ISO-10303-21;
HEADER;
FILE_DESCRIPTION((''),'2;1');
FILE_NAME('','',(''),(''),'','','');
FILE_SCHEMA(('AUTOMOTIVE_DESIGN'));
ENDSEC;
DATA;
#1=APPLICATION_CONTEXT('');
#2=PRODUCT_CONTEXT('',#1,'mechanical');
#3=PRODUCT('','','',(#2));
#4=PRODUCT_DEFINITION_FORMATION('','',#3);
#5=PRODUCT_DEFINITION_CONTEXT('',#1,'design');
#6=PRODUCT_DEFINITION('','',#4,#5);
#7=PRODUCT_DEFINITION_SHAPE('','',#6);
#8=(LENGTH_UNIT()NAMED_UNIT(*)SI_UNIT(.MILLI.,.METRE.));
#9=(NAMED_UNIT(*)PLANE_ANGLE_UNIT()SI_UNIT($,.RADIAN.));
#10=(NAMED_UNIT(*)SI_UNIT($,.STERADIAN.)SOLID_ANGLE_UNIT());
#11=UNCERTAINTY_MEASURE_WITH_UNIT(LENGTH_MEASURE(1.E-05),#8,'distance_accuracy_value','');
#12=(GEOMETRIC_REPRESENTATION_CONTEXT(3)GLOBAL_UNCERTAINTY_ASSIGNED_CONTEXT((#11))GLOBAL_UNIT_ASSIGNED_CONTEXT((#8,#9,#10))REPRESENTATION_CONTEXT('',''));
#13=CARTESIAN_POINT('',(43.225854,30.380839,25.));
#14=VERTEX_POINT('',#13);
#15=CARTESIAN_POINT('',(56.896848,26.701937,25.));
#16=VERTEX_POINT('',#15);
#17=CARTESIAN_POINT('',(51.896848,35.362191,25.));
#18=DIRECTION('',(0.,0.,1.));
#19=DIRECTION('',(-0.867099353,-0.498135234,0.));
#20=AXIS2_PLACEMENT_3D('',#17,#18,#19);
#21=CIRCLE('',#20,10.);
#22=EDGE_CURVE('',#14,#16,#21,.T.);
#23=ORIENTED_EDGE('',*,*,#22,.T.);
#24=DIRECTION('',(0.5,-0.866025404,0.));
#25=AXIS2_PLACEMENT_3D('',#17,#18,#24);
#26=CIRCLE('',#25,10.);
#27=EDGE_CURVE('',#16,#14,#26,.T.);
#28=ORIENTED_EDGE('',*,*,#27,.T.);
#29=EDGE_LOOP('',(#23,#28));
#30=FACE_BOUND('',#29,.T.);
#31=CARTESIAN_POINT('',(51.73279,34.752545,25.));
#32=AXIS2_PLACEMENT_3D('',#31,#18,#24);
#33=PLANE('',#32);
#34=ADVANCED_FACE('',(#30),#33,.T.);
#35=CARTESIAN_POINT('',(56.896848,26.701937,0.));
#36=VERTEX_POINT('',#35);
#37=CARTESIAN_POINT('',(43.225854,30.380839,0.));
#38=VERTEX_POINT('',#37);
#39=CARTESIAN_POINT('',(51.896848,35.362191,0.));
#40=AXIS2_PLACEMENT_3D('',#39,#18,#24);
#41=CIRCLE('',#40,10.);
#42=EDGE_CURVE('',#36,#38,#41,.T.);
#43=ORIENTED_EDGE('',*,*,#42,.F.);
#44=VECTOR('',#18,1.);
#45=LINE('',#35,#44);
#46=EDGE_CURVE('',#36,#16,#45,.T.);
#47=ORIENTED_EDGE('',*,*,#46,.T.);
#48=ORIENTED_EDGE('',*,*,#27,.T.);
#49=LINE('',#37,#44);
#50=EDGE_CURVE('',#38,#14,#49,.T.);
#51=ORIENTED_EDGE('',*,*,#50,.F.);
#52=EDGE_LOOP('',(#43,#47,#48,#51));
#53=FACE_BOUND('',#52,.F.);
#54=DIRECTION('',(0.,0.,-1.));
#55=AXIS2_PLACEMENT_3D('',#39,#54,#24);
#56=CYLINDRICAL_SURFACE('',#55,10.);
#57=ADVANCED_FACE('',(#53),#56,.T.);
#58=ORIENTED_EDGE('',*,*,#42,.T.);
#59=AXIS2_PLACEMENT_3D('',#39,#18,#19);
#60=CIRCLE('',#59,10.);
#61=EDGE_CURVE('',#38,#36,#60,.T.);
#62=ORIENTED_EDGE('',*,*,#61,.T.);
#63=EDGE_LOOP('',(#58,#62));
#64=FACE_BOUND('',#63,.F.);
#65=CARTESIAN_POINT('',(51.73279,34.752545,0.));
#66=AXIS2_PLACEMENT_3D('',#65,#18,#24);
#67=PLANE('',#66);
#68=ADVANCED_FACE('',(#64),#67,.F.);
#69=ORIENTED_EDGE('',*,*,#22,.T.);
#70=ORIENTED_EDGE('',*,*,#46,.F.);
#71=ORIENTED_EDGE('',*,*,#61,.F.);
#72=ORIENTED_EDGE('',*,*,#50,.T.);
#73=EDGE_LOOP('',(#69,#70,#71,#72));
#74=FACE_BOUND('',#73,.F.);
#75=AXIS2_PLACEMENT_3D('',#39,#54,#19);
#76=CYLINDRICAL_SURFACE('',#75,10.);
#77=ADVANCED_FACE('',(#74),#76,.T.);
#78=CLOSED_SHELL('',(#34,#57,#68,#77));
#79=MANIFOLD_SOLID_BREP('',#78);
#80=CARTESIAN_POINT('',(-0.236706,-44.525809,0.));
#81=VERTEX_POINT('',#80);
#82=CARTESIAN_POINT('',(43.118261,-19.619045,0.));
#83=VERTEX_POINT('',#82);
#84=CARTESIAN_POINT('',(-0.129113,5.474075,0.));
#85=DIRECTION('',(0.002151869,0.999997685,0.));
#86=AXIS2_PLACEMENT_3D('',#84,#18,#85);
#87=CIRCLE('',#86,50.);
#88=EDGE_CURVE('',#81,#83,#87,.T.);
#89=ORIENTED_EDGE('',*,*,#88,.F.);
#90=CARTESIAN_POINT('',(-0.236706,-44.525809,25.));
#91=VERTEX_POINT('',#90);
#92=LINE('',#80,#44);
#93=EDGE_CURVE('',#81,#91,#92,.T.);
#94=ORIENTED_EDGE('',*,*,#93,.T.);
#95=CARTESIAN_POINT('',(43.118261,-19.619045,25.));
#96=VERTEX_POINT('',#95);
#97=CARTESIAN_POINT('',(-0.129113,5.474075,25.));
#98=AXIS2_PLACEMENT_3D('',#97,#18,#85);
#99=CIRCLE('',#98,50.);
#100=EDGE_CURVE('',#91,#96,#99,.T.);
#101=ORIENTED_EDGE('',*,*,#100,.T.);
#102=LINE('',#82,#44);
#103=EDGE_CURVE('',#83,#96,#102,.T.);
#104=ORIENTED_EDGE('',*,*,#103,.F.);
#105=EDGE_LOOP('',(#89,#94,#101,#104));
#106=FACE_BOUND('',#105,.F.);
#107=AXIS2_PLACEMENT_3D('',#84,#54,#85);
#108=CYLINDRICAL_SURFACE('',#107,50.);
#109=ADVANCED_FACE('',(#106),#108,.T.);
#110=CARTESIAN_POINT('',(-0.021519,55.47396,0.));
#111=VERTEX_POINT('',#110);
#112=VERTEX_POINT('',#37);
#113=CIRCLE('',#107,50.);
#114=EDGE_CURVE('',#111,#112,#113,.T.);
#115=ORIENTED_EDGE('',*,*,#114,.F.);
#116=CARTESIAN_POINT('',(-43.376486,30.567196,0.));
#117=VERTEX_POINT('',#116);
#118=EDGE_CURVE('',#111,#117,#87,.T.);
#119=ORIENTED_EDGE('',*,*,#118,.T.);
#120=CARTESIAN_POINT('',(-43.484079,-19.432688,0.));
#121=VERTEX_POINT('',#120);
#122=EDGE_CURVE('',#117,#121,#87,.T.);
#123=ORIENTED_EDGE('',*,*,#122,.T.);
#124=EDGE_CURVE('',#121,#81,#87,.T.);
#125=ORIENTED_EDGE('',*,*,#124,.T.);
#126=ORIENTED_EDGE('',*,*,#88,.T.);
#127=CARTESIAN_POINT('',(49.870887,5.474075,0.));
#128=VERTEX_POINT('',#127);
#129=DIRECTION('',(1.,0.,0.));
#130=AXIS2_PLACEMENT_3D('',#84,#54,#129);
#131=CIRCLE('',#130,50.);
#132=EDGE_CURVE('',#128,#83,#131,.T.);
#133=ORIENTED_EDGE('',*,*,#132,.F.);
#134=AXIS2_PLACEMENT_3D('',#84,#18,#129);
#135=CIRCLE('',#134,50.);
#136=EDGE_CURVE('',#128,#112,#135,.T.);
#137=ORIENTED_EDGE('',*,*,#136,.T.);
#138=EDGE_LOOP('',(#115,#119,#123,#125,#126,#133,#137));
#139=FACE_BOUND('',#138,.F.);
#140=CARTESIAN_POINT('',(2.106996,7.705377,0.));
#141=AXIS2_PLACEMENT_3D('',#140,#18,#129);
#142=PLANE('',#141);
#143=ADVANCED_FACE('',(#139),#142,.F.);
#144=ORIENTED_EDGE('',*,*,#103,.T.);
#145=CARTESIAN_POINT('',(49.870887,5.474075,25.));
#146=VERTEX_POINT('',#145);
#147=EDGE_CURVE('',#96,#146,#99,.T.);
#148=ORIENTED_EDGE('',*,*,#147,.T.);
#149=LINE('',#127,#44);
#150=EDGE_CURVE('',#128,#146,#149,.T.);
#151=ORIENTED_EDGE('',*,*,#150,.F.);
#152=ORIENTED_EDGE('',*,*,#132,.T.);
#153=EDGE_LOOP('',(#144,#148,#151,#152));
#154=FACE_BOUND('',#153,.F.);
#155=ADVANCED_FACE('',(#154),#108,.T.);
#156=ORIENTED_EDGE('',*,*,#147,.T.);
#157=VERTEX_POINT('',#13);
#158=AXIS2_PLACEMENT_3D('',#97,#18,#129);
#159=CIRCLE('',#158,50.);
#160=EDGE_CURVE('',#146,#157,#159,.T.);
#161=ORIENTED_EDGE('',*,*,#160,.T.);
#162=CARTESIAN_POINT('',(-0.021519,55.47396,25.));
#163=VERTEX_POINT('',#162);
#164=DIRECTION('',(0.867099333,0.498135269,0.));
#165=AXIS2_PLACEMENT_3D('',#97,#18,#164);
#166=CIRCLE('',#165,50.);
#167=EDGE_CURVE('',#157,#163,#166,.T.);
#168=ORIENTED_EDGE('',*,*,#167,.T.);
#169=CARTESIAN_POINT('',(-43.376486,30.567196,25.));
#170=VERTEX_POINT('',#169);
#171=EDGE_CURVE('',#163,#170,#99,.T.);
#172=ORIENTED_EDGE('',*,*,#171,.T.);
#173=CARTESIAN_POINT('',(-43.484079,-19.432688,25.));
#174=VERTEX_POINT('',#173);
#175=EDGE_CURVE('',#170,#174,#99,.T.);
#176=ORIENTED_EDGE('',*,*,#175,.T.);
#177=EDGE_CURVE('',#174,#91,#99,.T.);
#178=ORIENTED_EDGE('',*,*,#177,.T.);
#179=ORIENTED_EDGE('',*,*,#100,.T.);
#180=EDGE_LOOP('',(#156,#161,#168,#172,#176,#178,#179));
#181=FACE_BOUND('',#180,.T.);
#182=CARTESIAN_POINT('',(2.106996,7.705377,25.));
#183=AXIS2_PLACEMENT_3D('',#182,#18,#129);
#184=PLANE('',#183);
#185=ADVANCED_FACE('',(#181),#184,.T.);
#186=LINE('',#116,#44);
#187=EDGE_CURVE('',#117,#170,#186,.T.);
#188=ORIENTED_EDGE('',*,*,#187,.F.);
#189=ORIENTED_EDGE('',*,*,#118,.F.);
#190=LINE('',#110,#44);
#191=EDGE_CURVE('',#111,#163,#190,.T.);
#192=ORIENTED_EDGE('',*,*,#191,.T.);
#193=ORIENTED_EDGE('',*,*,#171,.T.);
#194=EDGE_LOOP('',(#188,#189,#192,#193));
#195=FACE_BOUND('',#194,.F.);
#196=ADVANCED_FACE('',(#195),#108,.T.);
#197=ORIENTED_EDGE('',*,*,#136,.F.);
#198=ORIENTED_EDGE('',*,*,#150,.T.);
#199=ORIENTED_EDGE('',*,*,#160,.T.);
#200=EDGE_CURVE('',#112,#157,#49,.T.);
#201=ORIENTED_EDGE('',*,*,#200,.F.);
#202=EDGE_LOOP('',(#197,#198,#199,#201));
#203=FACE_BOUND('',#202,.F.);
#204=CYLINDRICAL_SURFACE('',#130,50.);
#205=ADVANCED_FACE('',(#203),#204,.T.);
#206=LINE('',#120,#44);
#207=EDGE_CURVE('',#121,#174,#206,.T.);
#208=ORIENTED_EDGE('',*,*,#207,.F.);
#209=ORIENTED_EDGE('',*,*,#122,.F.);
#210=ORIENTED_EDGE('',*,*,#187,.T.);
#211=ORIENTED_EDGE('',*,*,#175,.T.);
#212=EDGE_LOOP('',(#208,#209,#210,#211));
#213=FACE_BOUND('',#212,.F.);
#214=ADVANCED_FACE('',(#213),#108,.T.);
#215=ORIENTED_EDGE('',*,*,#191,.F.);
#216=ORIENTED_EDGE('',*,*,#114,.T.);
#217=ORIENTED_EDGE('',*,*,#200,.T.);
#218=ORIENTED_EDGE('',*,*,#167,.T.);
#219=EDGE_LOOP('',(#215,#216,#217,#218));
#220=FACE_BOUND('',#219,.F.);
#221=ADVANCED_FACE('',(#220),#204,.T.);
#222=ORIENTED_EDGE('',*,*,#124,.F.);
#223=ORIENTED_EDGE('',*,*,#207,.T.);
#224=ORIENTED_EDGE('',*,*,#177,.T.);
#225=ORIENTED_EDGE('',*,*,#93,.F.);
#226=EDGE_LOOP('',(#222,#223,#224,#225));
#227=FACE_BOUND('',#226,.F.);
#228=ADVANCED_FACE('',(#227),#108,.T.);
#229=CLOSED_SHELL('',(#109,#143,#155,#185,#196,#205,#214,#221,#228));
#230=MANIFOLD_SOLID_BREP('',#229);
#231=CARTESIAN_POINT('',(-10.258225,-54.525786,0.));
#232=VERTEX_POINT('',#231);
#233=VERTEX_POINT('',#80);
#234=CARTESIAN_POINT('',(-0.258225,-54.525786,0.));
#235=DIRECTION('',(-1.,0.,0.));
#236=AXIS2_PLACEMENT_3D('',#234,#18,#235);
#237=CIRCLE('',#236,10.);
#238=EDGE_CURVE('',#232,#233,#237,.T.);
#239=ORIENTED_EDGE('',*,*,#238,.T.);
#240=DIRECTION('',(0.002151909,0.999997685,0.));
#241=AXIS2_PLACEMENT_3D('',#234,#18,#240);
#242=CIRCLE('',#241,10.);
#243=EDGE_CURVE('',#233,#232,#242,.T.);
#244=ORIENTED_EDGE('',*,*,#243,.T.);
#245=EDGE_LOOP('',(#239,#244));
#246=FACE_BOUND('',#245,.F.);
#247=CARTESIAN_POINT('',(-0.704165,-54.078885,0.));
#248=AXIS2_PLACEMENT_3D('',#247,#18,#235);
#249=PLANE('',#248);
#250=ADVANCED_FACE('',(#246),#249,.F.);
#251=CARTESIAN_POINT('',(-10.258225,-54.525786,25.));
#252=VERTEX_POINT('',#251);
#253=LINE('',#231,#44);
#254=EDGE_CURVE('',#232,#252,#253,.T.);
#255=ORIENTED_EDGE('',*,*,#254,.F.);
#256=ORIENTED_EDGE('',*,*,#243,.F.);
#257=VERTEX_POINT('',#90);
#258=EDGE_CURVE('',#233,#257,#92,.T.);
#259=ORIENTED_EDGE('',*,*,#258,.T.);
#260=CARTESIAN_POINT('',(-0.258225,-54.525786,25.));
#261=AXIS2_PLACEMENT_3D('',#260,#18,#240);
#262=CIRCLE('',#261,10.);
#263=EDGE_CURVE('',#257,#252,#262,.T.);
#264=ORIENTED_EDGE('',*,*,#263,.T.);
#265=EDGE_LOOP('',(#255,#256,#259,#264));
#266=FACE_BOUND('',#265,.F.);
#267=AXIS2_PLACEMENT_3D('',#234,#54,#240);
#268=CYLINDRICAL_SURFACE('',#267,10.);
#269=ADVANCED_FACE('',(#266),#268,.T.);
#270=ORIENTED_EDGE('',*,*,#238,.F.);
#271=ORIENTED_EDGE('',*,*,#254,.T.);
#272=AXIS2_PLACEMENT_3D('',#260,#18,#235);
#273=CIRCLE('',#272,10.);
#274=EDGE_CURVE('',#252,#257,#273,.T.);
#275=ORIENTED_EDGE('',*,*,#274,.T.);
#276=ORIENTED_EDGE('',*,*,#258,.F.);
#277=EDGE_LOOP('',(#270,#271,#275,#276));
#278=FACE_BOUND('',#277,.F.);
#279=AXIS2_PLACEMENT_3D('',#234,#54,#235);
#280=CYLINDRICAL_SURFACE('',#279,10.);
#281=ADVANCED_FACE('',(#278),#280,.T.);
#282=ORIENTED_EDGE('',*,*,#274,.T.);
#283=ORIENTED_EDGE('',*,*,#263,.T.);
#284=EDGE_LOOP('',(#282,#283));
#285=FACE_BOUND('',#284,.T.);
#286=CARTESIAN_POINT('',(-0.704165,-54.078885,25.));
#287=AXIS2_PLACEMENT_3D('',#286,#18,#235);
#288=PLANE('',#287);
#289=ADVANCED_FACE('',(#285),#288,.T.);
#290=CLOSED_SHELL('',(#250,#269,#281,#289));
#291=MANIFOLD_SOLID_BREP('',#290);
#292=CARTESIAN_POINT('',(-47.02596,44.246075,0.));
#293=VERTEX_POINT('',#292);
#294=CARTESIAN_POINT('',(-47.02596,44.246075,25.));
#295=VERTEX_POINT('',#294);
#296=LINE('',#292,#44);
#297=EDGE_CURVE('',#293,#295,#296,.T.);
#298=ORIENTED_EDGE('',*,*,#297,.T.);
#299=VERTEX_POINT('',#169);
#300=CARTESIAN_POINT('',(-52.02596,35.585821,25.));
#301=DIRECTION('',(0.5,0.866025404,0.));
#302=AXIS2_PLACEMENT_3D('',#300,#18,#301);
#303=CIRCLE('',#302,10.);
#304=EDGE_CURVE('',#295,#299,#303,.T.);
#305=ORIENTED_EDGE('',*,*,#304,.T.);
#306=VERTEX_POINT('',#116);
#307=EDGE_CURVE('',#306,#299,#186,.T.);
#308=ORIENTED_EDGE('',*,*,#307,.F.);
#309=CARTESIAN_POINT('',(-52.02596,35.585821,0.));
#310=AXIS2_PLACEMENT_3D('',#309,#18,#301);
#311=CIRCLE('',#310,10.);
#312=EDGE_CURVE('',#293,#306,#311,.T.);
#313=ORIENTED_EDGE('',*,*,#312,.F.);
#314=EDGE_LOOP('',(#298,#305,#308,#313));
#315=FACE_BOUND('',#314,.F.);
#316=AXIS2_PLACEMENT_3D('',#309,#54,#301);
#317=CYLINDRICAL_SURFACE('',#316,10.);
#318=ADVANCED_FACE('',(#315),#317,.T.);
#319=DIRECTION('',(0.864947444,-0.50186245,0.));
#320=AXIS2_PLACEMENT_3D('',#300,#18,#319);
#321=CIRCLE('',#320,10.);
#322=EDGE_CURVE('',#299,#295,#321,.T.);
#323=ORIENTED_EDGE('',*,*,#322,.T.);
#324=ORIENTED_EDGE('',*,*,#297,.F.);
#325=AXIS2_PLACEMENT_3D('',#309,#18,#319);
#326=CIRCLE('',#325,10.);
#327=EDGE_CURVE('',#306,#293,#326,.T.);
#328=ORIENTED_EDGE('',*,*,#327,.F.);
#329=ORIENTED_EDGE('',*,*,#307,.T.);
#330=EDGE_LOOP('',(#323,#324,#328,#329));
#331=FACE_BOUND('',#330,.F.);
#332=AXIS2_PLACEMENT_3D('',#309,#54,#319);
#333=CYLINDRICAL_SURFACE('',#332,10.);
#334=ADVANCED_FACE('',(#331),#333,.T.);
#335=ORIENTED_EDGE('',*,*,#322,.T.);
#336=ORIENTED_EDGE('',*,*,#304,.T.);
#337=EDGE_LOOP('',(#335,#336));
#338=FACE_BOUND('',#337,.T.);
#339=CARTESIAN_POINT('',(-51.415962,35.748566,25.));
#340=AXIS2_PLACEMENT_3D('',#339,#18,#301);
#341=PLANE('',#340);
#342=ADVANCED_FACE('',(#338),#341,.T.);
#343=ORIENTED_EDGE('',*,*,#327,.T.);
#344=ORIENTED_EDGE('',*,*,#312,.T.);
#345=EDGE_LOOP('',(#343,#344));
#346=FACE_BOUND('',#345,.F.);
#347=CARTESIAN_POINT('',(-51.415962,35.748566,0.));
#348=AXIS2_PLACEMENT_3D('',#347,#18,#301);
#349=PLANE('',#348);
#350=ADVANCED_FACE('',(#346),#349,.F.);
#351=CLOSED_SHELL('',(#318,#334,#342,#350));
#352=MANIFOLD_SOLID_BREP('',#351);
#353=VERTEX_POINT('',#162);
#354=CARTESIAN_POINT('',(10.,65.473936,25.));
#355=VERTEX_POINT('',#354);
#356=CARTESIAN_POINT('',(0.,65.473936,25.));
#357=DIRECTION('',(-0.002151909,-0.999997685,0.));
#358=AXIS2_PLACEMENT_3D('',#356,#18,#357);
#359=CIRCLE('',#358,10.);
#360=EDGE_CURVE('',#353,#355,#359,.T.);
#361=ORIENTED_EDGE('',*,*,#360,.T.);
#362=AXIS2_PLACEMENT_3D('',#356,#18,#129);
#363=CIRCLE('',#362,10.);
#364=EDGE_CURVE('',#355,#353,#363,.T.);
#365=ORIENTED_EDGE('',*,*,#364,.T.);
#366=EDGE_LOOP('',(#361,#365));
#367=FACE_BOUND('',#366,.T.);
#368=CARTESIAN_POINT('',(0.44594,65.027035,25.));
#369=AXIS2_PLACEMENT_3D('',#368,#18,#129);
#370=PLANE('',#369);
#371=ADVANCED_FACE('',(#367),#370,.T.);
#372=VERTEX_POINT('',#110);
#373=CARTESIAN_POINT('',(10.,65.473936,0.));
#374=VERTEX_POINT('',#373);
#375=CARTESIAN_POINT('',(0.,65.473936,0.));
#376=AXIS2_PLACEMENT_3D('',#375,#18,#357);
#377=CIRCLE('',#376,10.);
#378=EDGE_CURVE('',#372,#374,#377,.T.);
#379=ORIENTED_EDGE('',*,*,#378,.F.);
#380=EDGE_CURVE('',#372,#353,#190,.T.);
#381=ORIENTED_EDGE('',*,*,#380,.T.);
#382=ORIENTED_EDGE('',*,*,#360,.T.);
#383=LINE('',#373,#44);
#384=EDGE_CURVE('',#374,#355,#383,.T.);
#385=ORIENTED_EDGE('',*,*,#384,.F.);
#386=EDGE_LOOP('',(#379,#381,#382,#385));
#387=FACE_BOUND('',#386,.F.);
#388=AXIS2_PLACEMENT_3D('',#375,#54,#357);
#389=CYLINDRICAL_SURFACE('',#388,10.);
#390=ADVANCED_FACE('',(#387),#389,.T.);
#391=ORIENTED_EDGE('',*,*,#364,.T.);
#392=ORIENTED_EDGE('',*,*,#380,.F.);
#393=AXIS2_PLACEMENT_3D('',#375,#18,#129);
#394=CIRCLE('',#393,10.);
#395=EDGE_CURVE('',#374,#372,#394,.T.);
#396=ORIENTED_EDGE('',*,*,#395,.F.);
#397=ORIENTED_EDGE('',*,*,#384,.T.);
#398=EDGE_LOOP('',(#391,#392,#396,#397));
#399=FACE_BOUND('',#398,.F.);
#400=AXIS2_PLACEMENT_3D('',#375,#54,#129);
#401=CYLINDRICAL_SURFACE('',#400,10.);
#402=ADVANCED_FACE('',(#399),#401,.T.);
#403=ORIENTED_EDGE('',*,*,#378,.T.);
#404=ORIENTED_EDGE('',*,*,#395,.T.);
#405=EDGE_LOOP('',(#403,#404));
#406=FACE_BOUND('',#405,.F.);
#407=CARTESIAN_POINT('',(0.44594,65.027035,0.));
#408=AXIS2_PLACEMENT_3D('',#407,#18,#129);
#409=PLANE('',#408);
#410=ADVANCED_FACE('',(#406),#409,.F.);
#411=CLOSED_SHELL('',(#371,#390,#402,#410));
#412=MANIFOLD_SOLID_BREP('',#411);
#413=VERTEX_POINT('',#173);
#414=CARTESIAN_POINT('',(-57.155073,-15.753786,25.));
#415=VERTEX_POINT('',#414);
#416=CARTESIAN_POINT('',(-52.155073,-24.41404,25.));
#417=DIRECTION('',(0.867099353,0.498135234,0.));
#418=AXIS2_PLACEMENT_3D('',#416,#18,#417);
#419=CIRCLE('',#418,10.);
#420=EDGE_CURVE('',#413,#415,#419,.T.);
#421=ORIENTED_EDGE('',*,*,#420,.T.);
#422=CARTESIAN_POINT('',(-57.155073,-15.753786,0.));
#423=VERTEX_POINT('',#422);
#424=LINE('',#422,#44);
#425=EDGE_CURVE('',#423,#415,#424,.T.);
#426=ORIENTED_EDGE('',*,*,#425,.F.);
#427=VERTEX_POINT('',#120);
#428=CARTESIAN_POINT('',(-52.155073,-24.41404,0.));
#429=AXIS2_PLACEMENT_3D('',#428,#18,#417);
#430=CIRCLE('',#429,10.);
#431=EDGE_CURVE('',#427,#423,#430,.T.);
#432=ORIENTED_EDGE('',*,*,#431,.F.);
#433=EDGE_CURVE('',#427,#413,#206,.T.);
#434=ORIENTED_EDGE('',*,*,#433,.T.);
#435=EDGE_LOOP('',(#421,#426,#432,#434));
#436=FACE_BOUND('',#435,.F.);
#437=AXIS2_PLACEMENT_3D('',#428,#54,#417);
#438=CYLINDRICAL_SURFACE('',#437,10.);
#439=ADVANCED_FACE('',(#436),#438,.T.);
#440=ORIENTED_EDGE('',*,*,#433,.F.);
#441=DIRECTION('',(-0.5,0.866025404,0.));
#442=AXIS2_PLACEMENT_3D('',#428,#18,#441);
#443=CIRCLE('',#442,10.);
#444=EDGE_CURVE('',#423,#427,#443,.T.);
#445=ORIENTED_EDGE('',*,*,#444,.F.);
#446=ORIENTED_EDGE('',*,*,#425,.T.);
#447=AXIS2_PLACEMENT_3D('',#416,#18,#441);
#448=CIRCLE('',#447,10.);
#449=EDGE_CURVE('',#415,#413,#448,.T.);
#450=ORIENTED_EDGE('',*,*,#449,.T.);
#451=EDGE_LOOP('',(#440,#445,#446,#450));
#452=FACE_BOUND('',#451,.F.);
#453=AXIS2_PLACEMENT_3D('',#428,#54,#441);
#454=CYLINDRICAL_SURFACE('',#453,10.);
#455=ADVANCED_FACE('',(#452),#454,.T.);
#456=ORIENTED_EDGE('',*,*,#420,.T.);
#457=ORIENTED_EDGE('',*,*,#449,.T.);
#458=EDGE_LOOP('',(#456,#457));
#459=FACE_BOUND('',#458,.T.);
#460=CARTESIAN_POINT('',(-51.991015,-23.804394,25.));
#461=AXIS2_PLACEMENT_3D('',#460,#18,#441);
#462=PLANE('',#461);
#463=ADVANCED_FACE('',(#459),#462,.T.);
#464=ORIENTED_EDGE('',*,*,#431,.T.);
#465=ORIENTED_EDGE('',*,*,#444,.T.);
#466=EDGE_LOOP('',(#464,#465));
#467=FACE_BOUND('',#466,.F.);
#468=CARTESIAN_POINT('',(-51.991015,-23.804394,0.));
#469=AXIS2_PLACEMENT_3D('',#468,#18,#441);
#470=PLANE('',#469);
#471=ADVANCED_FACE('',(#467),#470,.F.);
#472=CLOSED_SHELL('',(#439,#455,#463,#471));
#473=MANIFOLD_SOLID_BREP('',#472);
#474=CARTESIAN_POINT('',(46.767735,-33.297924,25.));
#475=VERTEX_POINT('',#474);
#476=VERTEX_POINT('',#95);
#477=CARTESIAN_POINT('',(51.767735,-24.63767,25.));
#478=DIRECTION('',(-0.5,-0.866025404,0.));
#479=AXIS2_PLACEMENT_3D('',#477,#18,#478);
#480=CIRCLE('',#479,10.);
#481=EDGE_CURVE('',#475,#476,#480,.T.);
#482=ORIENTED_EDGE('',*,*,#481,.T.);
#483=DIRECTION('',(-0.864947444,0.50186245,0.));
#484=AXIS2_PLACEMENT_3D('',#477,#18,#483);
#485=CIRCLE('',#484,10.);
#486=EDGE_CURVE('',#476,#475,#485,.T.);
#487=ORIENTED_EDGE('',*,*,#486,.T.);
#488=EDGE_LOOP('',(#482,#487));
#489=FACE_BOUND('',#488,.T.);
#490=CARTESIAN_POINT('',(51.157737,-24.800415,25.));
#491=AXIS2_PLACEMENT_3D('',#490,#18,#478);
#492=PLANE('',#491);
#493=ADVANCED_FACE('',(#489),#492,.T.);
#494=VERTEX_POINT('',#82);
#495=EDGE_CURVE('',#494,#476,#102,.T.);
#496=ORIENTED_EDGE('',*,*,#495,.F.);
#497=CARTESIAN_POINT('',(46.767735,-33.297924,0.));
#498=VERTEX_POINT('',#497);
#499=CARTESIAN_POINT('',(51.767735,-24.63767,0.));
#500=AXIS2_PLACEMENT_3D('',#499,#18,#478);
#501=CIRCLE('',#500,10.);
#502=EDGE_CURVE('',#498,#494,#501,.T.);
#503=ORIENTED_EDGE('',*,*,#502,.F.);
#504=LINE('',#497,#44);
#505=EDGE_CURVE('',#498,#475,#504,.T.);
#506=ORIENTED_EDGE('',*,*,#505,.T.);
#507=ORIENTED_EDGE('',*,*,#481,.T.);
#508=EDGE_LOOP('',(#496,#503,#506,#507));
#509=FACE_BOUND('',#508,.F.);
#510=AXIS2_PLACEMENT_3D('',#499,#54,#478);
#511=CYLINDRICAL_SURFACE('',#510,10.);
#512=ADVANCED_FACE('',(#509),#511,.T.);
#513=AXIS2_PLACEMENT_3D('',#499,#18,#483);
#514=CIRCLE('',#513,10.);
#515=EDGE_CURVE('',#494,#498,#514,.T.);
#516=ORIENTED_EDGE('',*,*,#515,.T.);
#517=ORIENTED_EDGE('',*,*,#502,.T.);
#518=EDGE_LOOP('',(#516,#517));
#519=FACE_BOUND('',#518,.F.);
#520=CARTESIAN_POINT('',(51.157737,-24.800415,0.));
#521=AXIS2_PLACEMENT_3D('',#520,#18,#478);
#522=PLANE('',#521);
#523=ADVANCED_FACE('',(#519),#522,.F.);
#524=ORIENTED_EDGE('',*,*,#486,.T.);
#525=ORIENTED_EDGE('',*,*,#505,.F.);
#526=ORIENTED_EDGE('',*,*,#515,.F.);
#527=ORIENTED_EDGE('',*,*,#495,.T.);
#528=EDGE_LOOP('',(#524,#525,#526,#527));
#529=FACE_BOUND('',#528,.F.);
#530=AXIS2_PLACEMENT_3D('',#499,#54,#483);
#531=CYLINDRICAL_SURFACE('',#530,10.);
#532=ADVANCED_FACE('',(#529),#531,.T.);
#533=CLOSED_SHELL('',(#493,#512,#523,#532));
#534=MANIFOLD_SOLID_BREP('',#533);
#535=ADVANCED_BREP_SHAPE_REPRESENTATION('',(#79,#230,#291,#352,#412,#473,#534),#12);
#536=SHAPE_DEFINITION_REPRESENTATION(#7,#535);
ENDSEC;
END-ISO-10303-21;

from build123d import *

# Parameters (mm, degrees)
F1_DEPTH = 25
F2_DEPTH = 25
F3_COUNT = 6


with BuildPart() as f1:
    # F0 (on Top) → F1 (new body)
    with BuildSketch(Plane.XY):
        with BuildLine():
            ThreePointArc((-0.0215190918, 55.4739596518), (-35.5224711994, -29.8432031255), (49.8708874497, 5.4740754154))
            ThreePointArc((49.8708874497, 5.4740754154), (35.2642460987, 40.7913539563), (-0.0215190918, 55.4739596518))
        make_face()
    extrude(amount=F1_DEPTH)

    # F0 (on Top) → F2 (join)
    with BuildSketch(Plane.XY):
        with BuildLine():
            ThreePointArc((10, 65.4739364982), (-7.0634555666, 72.5526083693), (-0.0215190918, 55.4739596518))
            ThreePointArc((-0.0215190918, 55.4739596518), (7.0634555666, 58.395264627), (10, 65.4739364982))
        make_face()
    extrude(amount=F2_DEPTH)

    # F3: F1 ×6 about axis
    f3_axis = Axis((-0.1291125503, 5.4740754154, 25), (0, 0, -1))


with BuildPart() as f1_1:
    add(f1.part)
    for i in range(1, F3_COUNT):
        add(f1.part.rotate(f3_axis, i * 360 / F3_COUNT))


solid = f1_1.part
